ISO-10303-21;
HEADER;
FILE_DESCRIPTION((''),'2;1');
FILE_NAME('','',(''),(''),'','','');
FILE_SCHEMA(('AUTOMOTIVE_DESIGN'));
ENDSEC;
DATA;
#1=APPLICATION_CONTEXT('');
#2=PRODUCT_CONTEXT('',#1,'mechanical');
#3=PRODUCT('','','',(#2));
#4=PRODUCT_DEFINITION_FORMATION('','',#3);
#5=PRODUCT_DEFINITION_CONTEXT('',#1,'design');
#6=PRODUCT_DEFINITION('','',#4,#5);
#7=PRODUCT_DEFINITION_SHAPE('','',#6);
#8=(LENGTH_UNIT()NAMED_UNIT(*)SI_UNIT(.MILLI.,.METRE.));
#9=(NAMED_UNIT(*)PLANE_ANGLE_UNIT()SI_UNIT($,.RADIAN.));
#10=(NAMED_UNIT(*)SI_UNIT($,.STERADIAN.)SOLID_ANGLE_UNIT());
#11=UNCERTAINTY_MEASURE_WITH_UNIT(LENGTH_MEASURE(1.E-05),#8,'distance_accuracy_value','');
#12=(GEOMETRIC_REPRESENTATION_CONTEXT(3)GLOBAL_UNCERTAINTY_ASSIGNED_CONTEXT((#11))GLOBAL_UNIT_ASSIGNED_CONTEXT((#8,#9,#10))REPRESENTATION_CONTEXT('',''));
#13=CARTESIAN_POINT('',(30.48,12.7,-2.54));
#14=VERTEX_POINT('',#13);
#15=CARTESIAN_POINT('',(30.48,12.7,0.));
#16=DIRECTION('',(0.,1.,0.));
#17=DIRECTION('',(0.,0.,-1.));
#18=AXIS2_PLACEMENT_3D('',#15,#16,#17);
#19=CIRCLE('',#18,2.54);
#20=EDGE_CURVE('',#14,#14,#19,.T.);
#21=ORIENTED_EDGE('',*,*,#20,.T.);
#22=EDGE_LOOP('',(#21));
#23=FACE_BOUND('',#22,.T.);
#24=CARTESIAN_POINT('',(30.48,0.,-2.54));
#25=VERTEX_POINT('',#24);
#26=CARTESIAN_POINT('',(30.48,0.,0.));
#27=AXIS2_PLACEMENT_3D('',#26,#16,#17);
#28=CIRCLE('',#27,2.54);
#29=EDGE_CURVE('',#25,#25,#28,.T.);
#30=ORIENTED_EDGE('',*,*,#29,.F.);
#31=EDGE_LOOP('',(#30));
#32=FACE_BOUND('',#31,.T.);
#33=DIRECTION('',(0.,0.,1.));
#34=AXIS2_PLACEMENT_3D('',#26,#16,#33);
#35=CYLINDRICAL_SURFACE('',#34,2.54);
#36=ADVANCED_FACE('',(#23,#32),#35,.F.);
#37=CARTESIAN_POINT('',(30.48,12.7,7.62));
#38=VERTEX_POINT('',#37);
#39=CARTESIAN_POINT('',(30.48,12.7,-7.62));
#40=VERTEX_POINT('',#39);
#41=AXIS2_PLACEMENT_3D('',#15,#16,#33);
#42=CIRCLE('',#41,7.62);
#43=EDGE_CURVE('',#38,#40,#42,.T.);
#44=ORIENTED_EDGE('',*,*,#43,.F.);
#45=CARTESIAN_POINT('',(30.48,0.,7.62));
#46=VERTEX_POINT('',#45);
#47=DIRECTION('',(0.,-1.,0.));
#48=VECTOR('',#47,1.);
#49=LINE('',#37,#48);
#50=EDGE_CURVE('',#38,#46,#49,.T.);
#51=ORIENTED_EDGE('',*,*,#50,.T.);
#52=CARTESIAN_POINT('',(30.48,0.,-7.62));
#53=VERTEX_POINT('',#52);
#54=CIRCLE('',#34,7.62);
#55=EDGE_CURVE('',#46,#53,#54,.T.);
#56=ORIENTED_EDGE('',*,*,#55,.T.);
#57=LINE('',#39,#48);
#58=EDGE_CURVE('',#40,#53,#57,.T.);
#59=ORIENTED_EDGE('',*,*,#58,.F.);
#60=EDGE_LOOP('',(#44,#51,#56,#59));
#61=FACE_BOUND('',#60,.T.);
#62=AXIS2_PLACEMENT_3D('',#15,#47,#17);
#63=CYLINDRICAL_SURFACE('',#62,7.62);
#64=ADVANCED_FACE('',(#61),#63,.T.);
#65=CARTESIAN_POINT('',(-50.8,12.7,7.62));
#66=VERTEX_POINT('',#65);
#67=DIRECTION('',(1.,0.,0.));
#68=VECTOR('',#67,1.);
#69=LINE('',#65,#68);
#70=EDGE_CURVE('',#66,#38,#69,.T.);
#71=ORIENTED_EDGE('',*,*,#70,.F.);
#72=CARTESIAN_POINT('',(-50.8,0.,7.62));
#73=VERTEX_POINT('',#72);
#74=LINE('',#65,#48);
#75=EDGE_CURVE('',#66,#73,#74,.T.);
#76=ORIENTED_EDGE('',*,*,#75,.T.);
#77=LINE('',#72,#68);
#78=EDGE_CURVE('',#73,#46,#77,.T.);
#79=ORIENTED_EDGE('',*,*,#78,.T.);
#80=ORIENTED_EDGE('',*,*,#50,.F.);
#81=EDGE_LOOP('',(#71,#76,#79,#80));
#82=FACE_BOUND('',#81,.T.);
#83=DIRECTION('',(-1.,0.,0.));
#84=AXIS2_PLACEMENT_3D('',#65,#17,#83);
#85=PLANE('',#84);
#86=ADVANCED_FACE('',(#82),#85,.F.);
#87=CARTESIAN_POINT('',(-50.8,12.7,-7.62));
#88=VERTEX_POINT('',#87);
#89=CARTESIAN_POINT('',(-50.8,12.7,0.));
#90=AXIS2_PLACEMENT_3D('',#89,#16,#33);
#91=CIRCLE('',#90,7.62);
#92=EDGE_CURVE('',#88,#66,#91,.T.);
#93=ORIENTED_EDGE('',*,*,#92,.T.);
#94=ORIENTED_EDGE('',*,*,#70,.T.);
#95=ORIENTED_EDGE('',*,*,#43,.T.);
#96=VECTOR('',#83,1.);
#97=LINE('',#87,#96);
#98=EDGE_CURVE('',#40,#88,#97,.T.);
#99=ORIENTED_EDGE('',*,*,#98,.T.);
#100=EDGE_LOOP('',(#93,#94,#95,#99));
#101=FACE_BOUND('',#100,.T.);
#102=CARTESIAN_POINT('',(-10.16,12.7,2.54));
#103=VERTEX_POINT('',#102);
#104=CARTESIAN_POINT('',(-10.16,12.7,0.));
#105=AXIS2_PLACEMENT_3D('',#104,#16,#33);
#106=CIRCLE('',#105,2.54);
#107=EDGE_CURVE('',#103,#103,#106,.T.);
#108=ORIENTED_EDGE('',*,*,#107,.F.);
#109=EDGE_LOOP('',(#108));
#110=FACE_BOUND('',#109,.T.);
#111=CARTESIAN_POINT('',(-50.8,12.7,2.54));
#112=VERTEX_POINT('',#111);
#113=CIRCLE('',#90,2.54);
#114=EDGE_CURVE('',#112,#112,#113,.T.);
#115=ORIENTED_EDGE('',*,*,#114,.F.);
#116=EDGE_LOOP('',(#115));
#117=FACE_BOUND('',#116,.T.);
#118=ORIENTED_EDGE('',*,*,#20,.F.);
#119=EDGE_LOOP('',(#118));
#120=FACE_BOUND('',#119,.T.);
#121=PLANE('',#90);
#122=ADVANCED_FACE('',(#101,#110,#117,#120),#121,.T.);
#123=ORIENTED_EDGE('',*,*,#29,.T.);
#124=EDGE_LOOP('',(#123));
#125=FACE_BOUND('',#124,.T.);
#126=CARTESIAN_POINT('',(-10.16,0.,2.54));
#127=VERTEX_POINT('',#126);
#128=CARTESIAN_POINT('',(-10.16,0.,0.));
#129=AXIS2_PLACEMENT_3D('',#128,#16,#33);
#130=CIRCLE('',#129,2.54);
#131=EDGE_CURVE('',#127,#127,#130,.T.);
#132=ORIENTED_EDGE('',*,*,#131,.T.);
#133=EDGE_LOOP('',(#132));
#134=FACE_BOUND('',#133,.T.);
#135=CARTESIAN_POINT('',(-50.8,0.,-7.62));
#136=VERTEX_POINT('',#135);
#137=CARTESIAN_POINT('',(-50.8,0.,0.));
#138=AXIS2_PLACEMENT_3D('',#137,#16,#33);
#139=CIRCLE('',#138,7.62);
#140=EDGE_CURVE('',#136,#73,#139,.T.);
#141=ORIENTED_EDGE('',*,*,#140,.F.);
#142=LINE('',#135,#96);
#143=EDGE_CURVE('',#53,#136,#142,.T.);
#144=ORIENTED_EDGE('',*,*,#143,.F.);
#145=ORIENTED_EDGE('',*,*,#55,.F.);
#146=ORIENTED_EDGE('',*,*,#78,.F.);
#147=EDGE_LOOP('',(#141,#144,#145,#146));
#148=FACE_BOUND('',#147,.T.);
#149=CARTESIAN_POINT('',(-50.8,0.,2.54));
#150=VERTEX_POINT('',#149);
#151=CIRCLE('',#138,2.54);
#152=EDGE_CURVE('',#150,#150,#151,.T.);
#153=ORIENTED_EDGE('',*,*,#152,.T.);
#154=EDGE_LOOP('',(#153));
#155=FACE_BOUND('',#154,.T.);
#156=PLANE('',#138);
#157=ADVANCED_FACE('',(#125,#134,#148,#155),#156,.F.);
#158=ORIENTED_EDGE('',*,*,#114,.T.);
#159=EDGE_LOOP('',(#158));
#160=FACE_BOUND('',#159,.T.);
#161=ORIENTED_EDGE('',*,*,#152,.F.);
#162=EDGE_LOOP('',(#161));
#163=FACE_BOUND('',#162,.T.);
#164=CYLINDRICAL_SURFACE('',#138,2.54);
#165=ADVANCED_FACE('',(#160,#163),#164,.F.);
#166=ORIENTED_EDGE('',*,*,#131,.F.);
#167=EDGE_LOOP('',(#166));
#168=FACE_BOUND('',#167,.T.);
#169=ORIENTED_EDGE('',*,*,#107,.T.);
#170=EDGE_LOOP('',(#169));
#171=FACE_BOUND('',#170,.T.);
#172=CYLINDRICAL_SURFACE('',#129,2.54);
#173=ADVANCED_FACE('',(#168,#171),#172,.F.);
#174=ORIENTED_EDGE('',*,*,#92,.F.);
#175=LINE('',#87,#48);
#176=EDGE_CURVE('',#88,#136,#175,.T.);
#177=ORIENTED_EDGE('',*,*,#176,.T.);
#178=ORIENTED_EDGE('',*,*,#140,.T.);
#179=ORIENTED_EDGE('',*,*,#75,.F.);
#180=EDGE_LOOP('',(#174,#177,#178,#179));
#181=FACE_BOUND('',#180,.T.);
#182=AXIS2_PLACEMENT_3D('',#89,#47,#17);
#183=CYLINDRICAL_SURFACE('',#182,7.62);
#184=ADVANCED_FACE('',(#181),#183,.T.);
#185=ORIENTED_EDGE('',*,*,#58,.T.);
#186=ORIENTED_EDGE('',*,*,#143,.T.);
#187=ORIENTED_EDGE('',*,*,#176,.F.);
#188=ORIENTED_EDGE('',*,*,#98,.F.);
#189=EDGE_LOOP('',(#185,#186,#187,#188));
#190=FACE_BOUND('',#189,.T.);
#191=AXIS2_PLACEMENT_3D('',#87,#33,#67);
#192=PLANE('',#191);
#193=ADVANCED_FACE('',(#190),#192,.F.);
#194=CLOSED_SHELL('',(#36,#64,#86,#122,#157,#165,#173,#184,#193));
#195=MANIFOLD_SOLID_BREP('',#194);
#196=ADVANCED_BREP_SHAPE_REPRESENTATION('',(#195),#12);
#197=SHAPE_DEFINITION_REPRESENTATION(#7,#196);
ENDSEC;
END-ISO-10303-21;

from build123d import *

# Parameters (mm, degrees)
BOSS_EXTRUDE1_DEPTH = 12.7
SKETCH4_R           = 2.54
CUT_EXTRUDE3_DEPTH  = 61.26815743


with BuildPart() as part:
    # Sketch3 → Boss-Extrude1 (new body)
    with BuildSketch(Plane(origin=(0, 0, 0), x_dir=(1, 0, 0), z_dir=(0, 1, 0))):
        with BuildLine():
            Line((-50.8, 7.62), (30.48, 7.62))
            ThreePointArc((30.48, 7.62), (38.1, 0), (30.48, -7.62))
            Line((30.48, -7.62), (-50.8, -7.62))
            ThreePointArc((-50.8, -7.62), (-58.42, 0), (-50.8, 7.62))
        make_face()
    extrude(amount=BOSS_EXTRUDE1_DEPTH)

    # Sketch4 → Cut-Extrude3 (cut, through all)
    with BuildSketch(Plane(origin=(0, 12.7, 0), x_dir=(1, 0, 0), z_dir=(0, 1, 0))):
        with Locations(Location((-50.8, 0, 0), (0, 0, 270))):
            Circle(SKETCH4_R)
        with Locations(Location((30.48, 0, 0), (0, 0, 90))):
            Circle(SKETCH4_R)
        with Locations(Location((-10.16, 0, 0), (0, 0, 270))):
            Circle(SKETCH4_R)
    extrude(amount=-CUT_EXTRUDE3_DEPTH, mode=Mode.SUBTRACT)


solid = part.part
